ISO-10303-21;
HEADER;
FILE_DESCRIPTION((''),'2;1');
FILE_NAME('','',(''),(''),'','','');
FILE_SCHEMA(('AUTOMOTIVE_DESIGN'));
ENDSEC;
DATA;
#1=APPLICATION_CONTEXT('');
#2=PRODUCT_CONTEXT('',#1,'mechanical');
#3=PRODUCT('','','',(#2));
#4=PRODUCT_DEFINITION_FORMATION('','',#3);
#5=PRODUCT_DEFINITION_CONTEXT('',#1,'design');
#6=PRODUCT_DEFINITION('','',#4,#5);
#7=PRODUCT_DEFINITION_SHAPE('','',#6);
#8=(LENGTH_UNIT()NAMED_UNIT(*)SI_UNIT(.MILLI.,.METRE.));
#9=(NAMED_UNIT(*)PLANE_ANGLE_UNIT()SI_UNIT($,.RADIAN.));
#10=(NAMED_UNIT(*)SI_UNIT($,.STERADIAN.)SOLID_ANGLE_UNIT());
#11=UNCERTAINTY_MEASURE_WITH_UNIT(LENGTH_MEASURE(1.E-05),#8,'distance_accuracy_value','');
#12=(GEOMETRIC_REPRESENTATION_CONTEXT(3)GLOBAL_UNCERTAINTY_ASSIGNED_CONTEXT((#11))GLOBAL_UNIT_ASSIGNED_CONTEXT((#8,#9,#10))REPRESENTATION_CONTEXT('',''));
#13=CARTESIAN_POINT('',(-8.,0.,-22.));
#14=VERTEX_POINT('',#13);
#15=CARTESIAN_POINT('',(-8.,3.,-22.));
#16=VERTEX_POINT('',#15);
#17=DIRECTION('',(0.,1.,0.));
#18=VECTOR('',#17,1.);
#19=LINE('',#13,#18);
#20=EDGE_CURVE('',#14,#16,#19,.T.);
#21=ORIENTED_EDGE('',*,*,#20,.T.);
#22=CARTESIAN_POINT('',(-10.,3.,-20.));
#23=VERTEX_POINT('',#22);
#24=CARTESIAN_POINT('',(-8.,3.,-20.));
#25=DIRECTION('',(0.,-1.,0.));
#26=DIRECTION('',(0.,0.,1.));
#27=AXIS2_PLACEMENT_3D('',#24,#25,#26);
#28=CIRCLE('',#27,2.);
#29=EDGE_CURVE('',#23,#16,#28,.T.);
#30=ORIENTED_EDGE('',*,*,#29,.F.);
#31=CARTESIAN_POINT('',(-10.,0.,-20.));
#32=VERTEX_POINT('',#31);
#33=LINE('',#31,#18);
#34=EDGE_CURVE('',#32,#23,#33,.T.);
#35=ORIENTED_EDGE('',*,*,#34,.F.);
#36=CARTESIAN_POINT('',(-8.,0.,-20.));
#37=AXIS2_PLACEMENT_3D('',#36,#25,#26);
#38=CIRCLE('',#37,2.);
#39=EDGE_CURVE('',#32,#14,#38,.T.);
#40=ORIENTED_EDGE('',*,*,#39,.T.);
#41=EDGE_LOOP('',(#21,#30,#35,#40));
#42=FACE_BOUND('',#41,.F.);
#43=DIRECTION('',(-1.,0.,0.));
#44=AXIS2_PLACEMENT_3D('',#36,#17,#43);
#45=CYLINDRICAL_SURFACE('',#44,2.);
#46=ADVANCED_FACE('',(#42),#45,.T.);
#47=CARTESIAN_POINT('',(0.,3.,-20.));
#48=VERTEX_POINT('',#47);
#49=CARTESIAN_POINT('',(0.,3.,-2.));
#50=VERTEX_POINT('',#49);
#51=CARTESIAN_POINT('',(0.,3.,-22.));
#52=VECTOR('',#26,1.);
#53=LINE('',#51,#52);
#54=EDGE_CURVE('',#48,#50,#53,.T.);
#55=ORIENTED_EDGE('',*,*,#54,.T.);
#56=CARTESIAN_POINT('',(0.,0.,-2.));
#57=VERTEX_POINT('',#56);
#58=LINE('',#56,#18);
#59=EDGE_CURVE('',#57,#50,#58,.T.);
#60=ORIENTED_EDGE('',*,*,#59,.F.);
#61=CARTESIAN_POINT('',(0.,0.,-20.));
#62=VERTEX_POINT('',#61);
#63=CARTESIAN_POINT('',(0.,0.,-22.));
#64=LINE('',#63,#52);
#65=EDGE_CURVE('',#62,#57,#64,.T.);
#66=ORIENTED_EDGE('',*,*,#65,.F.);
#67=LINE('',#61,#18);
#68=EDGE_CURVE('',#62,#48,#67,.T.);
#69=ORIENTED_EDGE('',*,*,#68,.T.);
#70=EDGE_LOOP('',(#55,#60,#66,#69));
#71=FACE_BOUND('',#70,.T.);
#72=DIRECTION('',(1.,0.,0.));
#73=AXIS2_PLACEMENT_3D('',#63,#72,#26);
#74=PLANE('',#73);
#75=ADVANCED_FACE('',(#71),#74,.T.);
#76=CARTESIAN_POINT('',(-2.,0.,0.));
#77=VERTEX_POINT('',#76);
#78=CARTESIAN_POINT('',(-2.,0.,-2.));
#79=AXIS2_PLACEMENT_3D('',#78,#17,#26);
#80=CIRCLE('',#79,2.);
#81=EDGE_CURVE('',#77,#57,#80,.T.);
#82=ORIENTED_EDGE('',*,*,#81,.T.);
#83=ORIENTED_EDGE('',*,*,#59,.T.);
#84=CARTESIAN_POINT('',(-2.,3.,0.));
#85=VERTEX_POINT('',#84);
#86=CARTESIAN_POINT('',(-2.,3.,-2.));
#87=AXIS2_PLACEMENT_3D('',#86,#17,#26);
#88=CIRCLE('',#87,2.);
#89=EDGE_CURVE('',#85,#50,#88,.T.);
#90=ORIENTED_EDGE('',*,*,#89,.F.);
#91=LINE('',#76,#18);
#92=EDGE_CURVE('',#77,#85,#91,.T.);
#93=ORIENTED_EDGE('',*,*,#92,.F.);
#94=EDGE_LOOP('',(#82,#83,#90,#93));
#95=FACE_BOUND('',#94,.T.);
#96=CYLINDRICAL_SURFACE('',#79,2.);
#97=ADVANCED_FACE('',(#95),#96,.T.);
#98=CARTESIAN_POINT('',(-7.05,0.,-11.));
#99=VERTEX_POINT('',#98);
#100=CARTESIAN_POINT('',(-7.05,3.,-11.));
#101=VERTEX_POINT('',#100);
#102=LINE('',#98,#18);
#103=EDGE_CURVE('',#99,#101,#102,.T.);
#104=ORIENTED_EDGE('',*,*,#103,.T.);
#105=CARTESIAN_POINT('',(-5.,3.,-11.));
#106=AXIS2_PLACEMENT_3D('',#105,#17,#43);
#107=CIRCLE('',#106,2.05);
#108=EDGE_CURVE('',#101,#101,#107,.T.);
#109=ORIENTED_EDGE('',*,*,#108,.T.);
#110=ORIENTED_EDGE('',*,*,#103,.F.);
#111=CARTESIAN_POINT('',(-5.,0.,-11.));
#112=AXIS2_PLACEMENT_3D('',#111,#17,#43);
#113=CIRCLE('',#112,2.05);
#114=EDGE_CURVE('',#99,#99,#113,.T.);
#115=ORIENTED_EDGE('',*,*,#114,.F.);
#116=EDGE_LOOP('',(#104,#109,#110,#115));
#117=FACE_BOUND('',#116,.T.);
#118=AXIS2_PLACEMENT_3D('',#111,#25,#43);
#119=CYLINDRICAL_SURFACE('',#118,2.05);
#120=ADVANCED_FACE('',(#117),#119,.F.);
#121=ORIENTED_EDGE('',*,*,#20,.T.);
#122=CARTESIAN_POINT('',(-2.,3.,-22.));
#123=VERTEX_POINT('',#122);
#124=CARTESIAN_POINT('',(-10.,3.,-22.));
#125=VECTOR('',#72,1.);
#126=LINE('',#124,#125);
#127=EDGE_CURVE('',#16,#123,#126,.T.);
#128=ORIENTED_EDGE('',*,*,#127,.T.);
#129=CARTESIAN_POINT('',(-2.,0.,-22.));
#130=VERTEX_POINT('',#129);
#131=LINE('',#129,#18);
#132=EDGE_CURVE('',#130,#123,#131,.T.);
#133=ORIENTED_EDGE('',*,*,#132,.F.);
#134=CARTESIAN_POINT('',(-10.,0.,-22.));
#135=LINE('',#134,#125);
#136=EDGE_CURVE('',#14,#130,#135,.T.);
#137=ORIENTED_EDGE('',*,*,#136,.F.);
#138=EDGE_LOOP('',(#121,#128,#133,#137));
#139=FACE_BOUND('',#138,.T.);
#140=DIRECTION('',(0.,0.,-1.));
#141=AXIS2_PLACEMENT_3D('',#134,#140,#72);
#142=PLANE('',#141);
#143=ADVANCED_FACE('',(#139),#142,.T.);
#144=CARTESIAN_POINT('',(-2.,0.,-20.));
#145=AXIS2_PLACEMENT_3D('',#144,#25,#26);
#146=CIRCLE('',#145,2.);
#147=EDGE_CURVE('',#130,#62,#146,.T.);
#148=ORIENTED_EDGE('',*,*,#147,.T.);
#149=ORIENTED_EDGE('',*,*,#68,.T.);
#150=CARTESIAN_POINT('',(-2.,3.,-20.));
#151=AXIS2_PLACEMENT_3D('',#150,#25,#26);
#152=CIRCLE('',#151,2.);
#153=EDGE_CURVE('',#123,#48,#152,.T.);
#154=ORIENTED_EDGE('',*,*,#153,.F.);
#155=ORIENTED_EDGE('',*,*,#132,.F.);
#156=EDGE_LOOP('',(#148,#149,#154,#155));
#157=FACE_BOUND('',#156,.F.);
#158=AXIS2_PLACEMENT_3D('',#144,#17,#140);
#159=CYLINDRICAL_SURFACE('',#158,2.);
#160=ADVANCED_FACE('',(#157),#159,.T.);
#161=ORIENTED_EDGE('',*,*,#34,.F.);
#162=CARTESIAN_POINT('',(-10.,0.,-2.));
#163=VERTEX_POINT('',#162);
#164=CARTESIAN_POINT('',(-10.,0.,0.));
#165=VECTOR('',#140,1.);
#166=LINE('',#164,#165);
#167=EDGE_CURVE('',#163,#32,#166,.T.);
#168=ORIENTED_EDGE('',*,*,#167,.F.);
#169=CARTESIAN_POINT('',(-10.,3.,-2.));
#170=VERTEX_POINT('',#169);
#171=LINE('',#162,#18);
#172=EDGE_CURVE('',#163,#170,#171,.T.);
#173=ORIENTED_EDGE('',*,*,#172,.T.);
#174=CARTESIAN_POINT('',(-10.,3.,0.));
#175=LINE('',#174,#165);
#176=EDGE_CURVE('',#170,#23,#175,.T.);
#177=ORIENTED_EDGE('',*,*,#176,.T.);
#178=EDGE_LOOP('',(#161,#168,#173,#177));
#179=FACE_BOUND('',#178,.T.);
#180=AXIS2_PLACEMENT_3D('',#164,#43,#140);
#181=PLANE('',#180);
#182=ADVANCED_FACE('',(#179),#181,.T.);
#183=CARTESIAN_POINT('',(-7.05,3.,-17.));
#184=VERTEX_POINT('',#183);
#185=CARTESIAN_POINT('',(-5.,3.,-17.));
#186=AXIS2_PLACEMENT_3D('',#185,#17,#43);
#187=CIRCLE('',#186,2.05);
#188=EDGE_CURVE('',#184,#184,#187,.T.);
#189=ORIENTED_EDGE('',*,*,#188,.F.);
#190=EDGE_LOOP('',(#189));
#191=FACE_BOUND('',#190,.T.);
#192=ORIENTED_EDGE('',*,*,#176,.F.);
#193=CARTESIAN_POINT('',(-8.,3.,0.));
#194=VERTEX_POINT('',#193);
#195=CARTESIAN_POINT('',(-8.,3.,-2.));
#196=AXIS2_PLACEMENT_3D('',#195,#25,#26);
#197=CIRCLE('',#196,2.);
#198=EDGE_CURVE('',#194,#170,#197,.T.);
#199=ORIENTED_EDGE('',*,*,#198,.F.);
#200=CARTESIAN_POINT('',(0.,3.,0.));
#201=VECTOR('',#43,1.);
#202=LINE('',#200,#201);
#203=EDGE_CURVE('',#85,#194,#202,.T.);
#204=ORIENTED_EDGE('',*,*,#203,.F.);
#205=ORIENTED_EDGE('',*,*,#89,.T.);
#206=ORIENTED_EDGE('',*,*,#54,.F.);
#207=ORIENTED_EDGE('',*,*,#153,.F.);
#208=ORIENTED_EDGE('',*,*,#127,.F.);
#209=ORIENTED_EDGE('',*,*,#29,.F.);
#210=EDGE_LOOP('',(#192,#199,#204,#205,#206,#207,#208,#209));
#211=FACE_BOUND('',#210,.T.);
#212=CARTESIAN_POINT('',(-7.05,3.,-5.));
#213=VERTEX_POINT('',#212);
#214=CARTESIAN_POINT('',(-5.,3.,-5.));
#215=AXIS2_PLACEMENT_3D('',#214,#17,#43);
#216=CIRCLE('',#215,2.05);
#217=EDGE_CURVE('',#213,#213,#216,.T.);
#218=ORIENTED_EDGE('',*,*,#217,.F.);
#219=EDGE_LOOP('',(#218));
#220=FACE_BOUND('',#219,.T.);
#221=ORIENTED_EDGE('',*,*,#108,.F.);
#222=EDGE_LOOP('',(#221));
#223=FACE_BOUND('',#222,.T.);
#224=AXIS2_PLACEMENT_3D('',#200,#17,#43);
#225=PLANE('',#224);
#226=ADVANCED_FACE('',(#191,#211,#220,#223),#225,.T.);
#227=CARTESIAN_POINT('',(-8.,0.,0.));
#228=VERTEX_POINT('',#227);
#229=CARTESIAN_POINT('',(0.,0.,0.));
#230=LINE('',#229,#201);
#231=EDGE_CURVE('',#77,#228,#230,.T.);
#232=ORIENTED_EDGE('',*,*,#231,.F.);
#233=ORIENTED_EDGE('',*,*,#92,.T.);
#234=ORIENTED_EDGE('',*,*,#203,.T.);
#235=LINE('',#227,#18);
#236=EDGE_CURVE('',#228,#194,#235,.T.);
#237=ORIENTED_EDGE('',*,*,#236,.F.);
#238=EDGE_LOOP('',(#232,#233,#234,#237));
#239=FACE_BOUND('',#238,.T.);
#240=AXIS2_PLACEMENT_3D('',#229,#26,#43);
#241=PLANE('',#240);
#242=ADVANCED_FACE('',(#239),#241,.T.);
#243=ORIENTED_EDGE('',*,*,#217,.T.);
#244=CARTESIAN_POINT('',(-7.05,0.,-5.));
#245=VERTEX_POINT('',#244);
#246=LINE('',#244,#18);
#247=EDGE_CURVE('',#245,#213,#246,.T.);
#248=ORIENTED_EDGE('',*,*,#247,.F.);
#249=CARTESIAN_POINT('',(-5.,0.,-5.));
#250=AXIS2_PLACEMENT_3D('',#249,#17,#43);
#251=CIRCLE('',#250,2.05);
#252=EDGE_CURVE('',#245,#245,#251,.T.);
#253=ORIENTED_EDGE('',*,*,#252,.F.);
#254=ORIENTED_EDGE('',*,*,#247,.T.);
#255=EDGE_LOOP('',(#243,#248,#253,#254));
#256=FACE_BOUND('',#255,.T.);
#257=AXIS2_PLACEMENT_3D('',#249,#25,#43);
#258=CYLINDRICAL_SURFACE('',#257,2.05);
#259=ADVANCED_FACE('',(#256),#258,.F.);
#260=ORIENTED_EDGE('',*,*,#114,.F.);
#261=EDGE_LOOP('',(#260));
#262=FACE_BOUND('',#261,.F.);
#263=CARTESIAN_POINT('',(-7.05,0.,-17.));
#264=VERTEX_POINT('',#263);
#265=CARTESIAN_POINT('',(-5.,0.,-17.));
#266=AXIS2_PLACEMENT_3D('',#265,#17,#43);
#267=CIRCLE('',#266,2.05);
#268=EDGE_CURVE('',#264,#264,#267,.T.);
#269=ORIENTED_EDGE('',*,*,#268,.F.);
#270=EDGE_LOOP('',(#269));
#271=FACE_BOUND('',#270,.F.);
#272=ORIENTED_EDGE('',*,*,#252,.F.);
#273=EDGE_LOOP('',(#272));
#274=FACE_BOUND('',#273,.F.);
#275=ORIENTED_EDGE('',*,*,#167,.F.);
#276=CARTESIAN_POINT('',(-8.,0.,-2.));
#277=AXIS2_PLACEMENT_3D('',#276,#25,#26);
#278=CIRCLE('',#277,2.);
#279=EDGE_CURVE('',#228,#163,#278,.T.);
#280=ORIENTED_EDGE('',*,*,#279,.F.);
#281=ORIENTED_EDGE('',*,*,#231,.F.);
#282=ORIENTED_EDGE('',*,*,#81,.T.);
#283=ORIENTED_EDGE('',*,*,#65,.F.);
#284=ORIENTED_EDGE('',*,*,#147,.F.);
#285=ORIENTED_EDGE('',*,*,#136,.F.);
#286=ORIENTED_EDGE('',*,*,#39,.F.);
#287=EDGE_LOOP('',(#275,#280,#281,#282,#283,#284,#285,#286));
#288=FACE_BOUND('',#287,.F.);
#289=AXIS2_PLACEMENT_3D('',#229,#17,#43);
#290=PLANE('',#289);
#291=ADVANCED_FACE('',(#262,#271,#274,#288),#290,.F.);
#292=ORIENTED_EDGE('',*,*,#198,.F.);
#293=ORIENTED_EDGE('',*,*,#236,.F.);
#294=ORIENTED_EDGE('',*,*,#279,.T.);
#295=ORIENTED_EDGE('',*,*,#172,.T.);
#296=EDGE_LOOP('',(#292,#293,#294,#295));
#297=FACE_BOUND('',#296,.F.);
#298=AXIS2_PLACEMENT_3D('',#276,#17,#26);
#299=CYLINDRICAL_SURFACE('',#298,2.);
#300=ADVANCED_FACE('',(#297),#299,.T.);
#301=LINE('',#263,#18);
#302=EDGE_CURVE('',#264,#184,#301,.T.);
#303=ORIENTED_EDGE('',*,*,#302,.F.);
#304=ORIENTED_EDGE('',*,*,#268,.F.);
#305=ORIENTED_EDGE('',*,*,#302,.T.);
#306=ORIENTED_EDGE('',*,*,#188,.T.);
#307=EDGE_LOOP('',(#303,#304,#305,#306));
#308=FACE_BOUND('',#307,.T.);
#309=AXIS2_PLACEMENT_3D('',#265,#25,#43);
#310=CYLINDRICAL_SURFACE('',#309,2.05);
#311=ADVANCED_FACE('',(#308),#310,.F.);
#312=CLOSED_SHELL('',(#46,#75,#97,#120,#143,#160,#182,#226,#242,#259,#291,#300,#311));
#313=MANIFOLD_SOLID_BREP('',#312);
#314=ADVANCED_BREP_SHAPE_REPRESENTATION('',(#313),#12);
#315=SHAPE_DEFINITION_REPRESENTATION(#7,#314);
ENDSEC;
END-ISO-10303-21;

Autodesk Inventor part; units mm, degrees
ref_plane "YZ Plane" through (0, 0, 0) normal (1, 0, 0) x (0, 1, 0)
ref_plane "XZ Plane" through (0, 0, 0) normal (0, 1, 0) x (-1, 0, 0)
ref_plane "XY Plane" through (0, 0, 0) normal (0, 0, 1) x (1, 0, 0)
sketch "Esquisse1" plane through (0, 0, 0) normal (0, 1, 0) x (-1, 0, 0)
  line L0 (0, 0) -> (10, 0)
  line L1 (10, 0) -> (10, -22)
  line L2 (10, -22) -> (0, -22)
  line L3 (0, -22) -> (0, 0)
  line L4 (5, 0) -> (5, -22) construction
  line L5 (10, -11) -> (0, -11) construction
  circle A0 centre (5, -11) radius 2.05
  circle A1 centre (5, -17) radius 2.05
  circle A2 centre (5, -5) radius 2.05
  dimension "d0" = 4.1
  dimension "d1" = 5
  dimension "d2" = 6
  dimension "d3" = 5
extrude "Extrusion1" add sketch "Esquisse1" along normal blind 3
fillet "Congé1" radius 2 4 edges at (-10, 1.5, 0) (0, 1.5, 0) (0, 1.5, -22) (-10, 1.5, -22)
equation "\"d3\" = d1"
properties part number "spacer"
